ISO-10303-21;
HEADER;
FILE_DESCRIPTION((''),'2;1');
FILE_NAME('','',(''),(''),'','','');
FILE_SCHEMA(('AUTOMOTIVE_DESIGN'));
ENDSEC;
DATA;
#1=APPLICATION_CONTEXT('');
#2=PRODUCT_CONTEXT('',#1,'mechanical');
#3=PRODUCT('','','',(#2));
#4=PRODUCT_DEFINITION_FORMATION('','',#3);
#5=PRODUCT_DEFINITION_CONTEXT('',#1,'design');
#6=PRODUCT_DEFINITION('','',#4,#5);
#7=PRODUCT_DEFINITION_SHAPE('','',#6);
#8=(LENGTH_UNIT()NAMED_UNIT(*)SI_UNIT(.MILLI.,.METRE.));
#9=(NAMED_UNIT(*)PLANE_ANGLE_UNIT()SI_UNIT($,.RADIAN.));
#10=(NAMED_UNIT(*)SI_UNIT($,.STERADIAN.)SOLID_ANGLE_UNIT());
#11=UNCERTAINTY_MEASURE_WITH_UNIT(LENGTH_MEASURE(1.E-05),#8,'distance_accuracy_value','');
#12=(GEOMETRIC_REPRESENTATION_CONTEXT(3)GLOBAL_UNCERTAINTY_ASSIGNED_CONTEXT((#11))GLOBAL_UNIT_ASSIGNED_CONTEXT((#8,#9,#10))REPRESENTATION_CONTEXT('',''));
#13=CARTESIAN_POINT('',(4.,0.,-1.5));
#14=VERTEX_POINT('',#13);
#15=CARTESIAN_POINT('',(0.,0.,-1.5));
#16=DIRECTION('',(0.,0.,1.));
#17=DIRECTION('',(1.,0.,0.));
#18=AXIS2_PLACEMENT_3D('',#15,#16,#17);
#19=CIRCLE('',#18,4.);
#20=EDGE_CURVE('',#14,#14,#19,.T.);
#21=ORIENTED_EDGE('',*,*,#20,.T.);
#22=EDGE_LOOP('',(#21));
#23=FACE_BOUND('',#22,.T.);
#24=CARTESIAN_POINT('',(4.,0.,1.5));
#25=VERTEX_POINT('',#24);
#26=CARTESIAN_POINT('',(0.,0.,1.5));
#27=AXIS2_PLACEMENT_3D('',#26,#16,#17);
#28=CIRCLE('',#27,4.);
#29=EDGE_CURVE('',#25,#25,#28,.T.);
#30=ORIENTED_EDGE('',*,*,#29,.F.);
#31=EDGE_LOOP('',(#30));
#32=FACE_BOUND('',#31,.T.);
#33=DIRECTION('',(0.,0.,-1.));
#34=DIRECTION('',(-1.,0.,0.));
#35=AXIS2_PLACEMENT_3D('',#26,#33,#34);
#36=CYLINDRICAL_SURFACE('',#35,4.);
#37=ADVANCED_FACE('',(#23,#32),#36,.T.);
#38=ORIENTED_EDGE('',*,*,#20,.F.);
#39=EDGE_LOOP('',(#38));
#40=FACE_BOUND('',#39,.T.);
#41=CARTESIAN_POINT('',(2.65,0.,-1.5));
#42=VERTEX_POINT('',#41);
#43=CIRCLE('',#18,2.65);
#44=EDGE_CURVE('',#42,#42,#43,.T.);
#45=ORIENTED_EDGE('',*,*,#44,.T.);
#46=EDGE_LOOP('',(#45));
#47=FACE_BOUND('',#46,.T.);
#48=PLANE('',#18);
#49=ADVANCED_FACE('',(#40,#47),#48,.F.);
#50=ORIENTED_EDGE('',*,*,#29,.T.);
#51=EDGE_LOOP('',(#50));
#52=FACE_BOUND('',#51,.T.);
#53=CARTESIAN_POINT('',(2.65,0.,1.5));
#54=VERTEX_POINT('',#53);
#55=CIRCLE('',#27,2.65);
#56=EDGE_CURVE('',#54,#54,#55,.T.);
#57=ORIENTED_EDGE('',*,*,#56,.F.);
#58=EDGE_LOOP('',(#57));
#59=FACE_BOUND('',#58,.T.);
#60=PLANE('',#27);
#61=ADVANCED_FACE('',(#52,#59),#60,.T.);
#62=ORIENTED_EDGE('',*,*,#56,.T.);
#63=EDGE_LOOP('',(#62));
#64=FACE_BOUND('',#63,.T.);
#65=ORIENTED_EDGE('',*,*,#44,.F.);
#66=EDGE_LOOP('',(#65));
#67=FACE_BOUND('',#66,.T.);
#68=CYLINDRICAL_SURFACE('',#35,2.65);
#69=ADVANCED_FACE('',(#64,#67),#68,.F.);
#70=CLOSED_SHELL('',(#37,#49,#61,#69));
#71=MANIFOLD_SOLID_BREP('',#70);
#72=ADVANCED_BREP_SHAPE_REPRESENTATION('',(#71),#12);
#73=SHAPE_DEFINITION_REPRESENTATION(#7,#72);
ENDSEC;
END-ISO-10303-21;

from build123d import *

# Parameters (mm, degrees)
SKETCH1_R           = 4
SKETCH1_R_2         = 2.65
EXTRUDE1_DEPTH      = 1.5
EXTRUDE1_DEPTH_BACK = 1.5


with BuildPart() as part:
    # Sketch1 → Extrude1 (new body, two sides)
    with BuildSketch(Plane.XY) as extrude1_sk:
        Circle(SKETCH1_R)
        Circle(SKETCH1_R_2, mode=Mode.SUBTRACT)
    extrude(amount=EXTRUDE1_DEPTH)
    extrude(extrude1_sk.sketch, amount=-EXTRUDE1_DEPTH_BACK)


solid = part.part
